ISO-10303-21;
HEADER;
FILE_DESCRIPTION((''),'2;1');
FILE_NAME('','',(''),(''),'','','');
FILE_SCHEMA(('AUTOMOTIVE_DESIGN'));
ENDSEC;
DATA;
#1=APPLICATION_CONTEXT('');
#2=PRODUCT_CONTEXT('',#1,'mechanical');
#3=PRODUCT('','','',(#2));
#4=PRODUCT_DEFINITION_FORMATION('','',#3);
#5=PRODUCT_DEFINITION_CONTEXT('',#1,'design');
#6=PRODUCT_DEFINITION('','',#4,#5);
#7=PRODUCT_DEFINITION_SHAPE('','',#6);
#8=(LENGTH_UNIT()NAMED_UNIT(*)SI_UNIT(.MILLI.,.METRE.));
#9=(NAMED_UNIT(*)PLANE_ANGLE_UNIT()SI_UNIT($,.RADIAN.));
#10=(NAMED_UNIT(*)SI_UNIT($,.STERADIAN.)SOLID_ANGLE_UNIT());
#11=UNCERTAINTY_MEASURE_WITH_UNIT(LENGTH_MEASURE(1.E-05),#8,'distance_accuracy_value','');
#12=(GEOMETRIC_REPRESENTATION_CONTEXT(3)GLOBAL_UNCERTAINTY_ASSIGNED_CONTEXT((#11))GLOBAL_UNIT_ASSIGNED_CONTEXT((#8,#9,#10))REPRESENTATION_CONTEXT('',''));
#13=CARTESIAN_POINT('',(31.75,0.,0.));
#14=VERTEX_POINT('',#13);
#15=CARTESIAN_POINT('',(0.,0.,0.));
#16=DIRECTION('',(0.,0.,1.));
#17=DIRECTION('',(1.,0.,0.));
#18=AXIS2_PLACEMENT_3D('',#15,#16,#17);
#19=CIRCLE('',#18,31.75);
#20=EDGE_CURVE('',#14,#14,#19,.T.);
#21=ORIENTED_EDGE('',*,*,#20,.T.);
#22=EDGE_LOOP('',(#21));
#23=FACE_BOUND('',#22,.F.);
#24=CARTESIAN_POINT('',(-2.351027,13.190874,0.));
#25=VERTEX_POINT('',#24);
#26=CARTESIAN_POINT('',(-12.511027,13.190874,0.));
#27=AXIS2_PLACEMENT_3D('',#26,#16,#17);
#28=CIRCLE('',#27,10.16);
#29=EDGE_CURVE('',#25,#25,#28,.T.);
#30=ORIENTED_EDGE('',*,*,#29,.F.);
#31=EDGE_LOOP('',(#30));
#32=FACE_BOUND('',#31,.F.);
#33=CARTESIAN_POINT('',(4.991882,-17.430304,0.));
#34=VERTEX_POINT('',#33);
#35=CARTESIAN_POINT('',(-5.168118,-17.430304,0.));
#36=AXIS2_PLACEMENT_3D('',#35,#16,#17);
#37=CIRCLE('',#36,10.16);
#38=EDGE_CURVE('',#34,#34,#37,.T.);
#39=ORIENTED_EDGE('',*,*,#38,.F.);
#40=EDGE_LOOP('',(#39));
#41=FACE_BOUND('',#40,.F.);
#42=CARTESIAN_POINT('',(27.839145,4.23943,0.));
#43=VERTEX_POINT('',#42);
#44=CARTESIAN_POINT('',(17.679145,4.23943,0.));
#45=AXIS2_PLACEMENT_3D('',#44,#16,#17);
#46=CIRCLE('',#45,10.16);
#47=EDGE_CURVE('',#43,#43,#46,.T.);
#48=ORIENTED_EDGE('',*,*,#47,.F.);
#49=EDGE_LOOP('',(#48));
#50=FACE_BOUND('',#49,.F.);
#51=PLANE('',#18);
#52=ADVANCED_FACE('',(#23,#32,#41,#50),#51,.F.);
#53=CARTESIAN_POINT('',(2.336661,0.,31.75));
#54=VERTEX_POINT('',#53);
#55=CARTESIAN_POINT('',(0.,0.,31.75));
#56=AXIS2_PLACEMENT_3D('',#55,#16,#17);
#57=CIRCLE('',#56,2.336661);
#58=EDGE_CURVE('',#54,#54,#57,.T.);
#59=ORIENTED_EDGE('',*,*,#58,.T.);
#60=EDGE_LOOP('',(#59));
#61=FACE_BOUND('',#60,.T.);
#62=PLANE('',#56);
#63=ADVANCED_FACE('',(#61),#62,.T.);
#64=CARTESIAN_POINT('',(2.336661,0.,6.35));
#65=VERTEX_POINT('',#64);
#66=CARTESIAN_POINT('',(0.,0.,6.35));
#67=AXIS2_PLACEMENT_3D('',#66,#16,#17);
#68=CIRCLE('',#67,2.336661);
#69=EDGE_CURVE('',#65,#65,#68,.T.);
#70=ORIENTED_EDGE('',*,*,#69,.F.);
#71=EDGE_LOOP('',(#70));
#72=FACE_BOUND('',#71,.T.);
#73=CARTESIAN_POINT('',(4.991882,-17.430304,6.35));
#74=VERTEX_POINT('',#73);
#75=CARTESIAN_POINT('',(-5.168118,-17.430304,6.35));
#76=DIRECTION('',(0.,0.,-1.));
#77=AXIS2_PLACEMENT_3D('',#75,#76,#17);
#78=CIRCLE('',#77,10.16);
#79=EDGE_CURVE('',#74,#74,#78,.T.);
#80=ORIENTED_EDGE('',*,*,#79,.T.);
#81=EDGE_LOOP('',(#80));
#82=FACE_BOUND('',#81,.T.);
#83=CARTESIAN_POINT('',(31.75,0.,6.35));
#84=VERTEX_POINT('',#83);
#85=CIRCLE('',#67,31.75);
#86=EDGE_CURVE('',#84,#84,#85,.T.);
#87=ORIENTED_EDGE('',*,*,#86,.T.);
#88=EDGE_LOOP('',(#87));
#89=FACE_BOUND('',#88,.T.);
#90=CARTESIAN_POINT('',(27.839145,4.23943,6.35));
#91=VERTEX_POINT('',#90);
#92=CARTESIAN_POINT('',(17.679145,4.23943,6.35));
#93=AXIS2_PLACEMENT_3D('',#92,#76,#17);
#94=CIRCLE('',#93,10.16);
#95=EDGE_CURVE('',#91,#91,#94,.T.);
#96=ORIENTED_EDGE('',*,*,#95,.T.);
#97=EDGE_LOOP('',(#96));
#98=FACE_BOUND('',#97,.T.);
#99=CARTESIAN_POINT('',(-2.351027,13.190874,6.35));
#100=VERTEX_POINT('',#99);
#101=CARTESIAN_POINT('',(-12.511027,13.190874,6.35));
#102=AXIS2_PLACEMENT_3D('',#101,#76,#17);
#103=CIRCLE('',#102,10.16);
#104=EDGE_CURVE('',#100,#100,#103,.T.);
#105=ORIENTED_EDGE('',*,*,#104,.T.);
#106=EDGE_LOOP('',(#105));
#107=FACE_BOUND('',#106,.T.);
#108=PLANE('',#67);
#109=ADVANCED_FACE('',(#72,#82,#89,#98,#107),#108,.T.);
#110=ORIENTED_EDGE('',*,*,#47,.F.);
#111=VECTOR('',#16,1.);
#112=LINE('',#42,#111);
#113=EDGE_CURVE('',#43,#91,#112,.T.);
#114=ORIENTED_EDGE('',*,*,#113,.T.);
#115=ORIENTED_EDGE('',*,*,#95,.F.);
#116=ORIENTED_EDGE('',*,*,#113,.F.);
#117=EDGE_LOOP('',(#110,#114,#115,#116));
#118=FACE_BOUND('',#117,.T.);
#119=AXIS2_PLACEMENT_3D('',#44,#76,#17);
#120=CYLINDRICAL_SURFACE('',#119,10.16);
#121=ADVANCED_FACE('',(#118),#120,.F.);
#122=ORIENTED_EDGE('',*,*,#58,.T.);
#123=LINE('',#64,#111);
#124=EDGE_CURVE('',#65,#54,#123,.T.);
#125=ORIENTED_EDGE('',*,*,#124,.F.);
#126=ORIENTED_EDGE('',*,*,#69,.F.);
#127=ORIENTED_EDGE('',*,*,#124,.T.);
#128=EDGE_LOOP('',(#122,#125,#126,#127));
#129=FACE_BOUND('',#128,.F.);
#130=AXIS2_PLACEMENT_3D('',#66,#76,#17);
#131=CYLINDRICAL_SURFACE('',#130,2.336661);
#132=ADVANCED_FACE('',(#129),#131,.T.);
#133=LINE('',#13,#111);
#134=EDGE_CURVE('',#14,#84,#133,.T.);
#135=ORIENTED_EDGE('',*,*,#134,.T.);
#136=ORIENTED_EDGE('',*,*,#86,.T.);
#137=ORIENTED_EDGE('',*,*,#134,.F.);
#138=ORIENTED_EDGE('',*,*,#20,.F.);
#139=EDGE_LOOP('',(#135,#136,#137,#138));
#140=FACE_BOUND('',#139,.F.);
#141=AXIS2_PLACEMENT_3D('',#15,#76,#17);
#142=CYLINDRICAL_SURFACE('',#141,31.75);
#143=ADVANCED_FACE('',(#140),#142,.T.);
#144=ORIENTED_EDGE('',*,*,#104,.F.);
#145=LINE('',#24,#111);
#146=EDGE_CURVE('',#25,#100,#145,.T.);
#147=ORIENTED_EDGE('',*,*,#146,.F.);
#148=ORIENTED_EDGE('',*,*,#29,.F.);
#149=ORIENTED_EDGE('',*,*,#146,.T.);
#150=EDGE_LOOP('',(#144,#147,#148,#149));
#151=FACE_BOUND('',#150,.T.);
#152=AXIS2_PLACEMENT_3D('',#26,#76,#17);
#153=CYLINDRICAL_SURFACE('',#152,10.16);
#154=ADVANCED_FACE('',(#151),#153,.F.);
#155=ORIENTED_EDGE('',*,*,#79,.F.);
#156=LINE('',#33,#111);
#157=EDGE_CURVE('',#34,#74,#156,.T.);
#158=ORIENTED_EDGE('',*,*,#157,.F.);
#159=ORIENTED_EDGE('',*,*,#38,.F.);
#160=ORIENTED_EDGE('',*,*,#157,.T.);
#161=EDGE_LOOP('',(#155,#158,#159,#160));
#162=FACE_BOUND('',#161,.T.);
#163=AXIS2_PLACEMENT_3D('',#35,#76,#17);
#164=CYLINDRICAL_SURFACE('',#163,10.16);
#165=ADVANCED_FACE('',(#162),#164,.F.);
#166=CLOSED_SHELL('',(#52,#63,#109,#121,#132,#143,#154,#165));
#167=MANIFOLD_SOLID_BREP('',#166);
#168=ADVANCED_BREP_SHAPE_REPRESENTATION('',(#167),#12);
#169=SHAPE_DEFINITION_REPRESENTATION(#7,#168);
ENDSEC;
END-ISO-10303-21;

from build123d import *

# Parameters (mm, degrees)
F0_R     = 31.75
F2_DEPTH = 6.35
F1_R     = 10.16
F3_DEPTH = 25.4
F4_R     = 2.336661
F5_DEPTH = 25.4


with BuildPart() as f2:
    # F0 (on Top) → F2 (new body)
    with BuildSketch(Plane.XY):
        Circle(F0_R)
    extrude(amount=F2_DEPTH)

    # F1 (on face) → F3 (cut)
    with BuildSketch(Plane.XY):
        with Locations((-5.168118, -17.430304)):
            Circle(F1_R)
        with Locations((17.679145, 4.23943)):
            Circle(F1_R)
        with Locations((-12.511027, 13.190874)):
            Circle(F1_R)
    extrude(amount=F3_DEPTH, mode=Mode.SUBTRACT)

    # F4 (on face) → F5 (join)
    with BuildSketch(Plane.XY.offset(6.35)):
        Circle(F4_R)
    extrude(amount=F5_DEPTH)


solid = f2.part
